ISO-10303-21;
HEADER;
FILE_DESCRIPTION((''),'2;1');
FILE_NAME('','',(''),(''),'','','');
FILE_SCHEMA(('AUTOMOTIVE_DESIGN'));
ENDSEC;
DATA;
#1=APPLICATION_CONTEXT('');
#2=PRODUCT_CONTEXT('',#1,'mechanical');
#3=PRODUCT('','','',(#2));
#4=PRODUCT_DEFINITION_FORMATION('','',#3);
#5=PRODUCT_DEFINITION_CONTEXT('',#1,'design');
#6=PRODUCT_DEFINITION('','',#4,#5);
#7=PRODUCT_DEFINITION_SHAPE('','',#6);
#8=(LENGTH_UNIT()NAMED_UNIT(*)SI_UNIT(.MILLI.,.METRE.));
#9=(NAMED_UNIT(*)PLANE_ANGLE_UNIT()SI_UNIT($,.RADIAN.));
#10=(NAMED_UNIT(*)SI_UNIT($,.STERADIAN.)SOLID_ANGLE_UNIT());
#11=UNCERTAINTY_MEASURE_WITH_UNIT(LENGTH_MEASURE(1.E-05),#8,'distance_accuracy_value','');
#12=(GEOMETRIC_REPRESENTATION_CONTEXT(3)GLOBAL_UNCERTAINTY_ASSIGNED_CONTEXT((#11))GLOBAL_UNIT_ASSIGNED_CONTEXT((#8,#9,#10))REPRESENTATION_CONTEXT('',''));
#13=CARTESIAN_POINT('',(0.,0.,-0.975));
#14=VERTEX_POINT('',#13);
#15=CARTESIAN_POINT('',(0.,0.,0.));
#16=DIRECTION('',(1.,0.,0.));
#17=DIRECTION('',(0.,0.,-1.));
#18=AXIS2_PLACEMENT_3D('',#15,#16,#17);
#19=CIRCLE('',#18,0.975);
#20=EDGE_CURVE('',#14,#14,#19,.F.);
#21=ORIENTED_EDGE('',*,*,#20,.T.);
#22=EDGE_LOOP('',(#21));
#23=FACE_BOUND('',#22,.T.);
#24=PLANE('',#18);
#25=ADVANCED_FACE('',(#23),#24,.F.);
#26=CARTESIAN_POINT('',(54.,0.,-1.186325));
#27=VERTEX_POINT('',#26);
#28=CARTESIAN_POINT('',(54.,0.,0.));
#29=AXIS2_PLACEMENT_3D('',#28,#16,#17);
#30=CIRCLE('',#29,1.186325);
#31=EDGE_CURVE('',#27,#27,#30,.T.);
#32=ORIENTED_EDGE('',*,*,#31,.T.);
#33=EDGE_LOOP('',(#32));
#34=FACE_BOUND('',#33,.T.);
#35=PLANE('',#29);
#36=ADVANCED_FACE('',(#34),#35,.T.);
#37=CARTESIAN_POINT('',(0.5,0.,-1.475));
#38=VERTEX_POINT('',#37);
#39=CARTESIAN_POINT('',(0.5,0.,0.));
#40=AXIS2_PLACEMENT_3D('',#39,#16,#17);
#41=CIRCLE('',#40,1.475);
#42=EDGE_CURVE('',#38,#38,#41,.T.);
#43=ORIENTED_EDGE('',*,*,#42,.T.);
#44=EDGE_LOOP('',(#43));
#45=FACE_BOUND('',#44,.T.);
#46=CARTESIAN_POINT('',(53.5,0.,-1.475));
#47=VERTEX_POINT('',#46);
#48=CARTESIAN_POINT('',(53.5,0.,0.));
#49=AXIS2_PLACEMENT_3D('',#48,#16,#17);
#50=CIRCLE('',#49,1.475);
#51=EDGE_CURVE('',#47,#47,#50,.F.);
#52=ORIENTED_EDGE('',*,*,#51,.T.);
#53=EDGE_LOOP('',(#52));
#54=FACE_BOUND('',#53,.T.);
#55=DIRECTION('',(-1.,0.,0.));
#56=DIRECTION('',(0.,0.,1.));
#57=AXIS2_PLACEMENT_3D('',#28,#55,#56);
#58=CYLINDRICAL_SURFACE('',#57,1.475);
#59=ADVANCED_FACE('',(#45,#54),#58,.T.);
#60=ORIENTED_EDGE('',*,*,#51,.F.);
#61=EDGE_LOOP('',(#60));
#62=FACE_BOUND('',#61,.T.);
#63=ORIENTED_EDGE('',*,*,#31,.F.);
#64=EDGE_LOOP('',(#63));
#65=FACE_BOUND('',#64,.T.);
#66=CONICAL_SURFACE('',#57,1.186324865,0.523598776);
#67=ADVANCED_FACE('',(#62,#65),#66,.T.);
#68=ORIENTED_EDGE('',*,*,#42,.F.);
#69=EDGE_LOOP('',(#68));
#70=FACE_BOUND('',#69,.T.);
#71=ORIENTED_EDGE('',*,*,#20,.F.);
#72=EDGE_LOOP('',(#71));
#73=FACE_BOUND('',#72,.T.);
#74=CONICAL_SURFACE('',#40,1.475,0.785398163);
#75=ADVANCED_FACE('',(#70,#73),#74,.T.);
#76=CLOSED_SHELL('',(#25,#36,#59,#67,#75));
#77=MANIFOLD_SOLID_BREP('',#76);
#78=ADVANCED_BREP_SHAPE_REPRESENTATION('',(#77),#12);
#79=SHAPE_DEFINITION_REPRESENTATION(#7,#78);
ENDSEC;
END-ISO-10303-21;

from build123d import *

# Parameters (mm, degrees)
CROQUIS1_R              = 1.475
SALIENTE_EXTRUIR1_DEPTH = 54
CHAFL_N1_SIZE           = 0.5
CHAFL_N1_SIZE2          = 0.288675135
CHAFL_N2_SIZE           = 0.5


with BuildPart() as part:
    # Croquis1 → Saliente-Extruir1 (new body)
    with BuildSketch(Plane(origin=(0, 0, 0), x_dir=(0, 0, -1), z_dir=(1, 0, 0))):
        Circle(CROQUIS1_R)
    extrude(amount=SALIENTE_EXTRUIR1_DEPTH)

    # Chaflán1
    chafl_n1_edges = [part.edges().sort_by_distance(p)[0] for p in [
        (54, 0, 1.475),
    ]]
    chafl_n1_side = [part.faces().sort_by_distance(p)[0] for p in [
        (27, 0, 1.475),
    ]]
    chamfer(chafl_n1_edges, length=CHAFL_N1_SIZE, length2=CHAFL_N1_SIZE2, reference=chafl_n1_side[0])

    # Chaflán2
    chafl_n2_edges = [part.edges().sort_by_distance(p)[0] for p in [
        (0, 0, 1.475),
    ]]
    chamfer(chafl_n2_edges, length=CHAFL_N2_SIZE)


solid = part.part
